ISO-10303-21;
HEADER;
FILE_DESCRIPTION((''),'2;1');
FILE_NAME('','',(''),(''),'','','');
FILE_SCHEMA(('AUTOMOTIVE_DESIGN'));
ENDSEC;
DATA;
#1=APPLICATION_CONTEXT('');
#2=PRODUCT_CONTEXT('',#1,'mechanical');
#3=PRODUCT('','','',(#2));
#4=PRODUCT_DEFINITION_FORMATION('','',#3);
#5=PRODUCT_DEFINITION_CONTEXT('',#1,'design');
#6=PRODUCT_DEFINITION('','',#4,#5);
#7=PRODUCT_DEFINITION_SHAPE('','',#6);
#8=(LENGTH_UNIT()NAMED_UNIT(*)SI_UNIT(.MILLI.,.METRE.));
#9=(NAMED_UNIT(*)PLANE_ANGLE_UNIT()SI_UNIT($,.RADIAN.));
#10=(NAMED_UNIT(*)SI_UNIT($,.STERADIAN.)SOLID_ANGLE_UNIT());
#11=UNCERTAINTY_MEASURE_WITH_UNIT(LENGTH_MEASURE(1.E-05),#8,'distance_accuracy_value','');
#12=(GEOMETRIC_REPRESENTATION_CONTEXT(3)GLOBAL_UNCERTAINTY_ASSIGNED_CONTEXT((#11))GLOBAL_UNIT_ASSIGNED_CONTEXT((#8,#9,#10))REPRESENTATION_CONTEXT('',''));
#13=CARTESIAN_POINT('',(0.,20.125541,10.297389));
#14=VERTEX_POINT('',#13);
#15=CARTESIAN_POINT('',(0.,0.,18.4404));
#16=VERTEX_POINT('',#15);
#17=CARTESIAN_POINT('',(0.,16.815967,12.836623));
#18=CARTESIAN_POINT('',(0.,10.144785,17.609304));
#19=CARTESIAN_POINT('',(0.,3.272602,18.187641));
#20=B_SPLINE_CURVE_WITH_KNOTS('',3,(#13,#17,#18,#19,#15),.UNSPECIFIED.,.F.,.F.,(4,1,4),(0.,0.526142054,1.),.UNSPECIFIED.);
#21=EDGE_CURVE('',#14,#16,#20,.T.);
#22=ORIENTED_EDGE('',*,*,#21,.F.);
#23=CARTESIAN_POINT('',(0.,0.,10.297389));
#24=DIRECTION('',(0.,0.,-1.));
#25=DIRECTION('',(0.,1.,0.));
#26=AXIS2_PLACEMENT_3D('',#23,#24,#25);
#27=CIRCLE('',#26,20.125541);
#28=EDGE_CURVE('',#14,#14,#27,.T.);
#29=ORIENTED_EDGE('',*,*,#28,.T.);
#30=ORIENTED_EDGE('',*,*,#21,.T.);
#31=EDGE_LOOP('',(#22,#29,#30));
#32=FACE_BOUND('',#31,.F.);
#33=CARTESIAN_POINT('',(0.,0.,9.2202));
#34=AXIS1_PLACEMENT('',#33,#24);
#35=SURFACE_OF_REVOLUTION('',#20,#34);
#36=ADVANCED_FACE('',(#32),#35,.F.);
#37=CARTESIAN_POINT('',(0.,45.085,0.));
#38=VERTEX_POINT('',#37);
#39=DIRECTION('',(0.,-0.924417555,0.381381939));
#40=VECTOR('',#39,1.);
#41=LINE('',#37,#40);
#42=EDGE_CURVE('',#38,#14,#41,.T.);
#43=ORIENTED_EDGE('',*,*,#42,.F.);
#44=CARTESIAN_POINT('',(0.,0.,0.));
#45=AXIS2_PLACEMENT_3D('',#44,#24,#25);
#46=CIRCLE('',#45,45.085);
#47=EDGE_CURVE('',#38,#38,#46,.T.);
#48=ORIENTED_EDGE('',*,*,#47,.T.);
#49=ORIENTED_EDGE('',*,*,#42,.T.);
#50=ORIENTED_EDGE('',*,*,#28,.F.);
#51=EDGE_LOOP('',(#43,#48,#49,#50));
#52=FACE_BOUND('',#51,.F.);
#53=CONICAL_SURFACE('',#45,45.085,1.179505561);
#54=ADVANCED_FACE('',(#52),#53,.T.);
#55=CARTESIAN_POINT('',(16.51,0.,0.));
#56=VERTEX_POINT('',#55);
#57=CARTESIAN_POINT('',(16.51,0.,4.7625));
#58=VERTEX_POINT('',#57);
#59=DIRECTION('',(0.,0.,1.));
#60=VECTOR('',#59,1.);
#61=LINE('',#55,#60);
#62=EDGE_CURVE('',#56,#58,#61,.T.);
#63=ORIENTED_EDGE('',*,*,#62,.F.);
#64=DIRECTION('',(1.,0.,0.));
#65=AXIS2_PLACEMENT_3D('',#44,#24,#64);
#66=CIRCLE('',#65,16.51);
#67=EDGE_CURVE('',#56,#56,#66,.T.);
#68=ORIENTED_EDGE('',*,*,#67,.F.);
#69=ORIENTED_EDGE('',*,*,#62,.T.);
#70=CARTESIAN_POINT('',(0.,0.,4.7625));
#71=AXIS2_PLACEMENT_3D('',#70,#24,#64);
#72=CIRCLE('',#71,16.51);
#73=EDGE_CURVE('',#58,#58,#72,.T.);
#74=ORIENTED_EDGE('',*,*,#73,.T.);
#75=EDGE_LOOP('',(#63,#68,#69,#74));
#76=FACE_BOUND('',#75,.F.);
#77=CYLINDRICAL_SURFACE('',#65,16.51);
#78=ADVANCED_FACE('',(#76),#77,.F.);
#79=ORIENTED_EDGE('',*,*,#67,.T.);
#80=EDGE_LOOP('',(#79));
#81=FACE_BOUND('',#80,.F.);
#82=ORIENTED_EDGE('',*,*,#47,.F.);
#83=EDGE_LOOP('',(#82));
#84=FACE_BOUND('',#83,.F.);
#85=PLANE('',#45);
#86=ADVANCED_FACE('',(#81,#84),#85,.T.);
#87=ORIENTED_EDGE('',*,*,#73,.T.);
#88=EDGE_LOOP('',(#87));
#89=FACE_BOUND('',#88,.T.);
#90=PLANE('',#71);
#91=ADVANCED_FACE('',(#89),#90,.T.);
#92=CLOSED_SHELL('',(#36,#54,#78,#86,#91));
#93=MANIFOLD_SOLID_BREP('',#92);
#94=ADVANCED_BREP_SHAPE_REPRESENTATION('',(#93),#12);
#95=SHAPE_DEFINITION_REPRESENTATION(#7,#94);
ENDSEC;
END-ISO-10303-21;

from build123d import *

# Parameters (mm, degrees)
F2_R     = 16.51
F3_DEPTH = 4.7625


with BuildPart() as f1:
    # F0 (on Right) → F1 (revolve)
    with BuildSketch(Plane.YZ):
        with BuildLine():
            Line((0, 0), (19.685, 0))
            Line((19.685, 0), (45.085, 0))
            Line((45.085, 0), (20.1255411219, 10.2973886277))
            add(Edge.make_bspline(
                [(20.1255411219, 10.2973886277), (16.8159665066, 12.836622801), (10.144785373, 17.6093042909), (3.2726021125, 18.1876412227), (0, 18.4404)],
                knots=[0, 0, 0, 0, 0.526142054, 1, 1, 1, 1], degree=3))
            Line((0, 18.4404), (0, 0))
        make_face()
    revolve(axis=Axis((0, 0, 9.2202), (0, 0, -1)))

    # F2 (on face) → F3 (cut)
    with BuildSketch(Plane(origin=(0, 0, 0), x_dir=(1, 0, 0), z_dir=(0, 0, -1))):
        Circle(F2_R)
    extrude(amount=-F3_DEPTH, mode=Mode.SUBTRACT)


solid = f1.part
